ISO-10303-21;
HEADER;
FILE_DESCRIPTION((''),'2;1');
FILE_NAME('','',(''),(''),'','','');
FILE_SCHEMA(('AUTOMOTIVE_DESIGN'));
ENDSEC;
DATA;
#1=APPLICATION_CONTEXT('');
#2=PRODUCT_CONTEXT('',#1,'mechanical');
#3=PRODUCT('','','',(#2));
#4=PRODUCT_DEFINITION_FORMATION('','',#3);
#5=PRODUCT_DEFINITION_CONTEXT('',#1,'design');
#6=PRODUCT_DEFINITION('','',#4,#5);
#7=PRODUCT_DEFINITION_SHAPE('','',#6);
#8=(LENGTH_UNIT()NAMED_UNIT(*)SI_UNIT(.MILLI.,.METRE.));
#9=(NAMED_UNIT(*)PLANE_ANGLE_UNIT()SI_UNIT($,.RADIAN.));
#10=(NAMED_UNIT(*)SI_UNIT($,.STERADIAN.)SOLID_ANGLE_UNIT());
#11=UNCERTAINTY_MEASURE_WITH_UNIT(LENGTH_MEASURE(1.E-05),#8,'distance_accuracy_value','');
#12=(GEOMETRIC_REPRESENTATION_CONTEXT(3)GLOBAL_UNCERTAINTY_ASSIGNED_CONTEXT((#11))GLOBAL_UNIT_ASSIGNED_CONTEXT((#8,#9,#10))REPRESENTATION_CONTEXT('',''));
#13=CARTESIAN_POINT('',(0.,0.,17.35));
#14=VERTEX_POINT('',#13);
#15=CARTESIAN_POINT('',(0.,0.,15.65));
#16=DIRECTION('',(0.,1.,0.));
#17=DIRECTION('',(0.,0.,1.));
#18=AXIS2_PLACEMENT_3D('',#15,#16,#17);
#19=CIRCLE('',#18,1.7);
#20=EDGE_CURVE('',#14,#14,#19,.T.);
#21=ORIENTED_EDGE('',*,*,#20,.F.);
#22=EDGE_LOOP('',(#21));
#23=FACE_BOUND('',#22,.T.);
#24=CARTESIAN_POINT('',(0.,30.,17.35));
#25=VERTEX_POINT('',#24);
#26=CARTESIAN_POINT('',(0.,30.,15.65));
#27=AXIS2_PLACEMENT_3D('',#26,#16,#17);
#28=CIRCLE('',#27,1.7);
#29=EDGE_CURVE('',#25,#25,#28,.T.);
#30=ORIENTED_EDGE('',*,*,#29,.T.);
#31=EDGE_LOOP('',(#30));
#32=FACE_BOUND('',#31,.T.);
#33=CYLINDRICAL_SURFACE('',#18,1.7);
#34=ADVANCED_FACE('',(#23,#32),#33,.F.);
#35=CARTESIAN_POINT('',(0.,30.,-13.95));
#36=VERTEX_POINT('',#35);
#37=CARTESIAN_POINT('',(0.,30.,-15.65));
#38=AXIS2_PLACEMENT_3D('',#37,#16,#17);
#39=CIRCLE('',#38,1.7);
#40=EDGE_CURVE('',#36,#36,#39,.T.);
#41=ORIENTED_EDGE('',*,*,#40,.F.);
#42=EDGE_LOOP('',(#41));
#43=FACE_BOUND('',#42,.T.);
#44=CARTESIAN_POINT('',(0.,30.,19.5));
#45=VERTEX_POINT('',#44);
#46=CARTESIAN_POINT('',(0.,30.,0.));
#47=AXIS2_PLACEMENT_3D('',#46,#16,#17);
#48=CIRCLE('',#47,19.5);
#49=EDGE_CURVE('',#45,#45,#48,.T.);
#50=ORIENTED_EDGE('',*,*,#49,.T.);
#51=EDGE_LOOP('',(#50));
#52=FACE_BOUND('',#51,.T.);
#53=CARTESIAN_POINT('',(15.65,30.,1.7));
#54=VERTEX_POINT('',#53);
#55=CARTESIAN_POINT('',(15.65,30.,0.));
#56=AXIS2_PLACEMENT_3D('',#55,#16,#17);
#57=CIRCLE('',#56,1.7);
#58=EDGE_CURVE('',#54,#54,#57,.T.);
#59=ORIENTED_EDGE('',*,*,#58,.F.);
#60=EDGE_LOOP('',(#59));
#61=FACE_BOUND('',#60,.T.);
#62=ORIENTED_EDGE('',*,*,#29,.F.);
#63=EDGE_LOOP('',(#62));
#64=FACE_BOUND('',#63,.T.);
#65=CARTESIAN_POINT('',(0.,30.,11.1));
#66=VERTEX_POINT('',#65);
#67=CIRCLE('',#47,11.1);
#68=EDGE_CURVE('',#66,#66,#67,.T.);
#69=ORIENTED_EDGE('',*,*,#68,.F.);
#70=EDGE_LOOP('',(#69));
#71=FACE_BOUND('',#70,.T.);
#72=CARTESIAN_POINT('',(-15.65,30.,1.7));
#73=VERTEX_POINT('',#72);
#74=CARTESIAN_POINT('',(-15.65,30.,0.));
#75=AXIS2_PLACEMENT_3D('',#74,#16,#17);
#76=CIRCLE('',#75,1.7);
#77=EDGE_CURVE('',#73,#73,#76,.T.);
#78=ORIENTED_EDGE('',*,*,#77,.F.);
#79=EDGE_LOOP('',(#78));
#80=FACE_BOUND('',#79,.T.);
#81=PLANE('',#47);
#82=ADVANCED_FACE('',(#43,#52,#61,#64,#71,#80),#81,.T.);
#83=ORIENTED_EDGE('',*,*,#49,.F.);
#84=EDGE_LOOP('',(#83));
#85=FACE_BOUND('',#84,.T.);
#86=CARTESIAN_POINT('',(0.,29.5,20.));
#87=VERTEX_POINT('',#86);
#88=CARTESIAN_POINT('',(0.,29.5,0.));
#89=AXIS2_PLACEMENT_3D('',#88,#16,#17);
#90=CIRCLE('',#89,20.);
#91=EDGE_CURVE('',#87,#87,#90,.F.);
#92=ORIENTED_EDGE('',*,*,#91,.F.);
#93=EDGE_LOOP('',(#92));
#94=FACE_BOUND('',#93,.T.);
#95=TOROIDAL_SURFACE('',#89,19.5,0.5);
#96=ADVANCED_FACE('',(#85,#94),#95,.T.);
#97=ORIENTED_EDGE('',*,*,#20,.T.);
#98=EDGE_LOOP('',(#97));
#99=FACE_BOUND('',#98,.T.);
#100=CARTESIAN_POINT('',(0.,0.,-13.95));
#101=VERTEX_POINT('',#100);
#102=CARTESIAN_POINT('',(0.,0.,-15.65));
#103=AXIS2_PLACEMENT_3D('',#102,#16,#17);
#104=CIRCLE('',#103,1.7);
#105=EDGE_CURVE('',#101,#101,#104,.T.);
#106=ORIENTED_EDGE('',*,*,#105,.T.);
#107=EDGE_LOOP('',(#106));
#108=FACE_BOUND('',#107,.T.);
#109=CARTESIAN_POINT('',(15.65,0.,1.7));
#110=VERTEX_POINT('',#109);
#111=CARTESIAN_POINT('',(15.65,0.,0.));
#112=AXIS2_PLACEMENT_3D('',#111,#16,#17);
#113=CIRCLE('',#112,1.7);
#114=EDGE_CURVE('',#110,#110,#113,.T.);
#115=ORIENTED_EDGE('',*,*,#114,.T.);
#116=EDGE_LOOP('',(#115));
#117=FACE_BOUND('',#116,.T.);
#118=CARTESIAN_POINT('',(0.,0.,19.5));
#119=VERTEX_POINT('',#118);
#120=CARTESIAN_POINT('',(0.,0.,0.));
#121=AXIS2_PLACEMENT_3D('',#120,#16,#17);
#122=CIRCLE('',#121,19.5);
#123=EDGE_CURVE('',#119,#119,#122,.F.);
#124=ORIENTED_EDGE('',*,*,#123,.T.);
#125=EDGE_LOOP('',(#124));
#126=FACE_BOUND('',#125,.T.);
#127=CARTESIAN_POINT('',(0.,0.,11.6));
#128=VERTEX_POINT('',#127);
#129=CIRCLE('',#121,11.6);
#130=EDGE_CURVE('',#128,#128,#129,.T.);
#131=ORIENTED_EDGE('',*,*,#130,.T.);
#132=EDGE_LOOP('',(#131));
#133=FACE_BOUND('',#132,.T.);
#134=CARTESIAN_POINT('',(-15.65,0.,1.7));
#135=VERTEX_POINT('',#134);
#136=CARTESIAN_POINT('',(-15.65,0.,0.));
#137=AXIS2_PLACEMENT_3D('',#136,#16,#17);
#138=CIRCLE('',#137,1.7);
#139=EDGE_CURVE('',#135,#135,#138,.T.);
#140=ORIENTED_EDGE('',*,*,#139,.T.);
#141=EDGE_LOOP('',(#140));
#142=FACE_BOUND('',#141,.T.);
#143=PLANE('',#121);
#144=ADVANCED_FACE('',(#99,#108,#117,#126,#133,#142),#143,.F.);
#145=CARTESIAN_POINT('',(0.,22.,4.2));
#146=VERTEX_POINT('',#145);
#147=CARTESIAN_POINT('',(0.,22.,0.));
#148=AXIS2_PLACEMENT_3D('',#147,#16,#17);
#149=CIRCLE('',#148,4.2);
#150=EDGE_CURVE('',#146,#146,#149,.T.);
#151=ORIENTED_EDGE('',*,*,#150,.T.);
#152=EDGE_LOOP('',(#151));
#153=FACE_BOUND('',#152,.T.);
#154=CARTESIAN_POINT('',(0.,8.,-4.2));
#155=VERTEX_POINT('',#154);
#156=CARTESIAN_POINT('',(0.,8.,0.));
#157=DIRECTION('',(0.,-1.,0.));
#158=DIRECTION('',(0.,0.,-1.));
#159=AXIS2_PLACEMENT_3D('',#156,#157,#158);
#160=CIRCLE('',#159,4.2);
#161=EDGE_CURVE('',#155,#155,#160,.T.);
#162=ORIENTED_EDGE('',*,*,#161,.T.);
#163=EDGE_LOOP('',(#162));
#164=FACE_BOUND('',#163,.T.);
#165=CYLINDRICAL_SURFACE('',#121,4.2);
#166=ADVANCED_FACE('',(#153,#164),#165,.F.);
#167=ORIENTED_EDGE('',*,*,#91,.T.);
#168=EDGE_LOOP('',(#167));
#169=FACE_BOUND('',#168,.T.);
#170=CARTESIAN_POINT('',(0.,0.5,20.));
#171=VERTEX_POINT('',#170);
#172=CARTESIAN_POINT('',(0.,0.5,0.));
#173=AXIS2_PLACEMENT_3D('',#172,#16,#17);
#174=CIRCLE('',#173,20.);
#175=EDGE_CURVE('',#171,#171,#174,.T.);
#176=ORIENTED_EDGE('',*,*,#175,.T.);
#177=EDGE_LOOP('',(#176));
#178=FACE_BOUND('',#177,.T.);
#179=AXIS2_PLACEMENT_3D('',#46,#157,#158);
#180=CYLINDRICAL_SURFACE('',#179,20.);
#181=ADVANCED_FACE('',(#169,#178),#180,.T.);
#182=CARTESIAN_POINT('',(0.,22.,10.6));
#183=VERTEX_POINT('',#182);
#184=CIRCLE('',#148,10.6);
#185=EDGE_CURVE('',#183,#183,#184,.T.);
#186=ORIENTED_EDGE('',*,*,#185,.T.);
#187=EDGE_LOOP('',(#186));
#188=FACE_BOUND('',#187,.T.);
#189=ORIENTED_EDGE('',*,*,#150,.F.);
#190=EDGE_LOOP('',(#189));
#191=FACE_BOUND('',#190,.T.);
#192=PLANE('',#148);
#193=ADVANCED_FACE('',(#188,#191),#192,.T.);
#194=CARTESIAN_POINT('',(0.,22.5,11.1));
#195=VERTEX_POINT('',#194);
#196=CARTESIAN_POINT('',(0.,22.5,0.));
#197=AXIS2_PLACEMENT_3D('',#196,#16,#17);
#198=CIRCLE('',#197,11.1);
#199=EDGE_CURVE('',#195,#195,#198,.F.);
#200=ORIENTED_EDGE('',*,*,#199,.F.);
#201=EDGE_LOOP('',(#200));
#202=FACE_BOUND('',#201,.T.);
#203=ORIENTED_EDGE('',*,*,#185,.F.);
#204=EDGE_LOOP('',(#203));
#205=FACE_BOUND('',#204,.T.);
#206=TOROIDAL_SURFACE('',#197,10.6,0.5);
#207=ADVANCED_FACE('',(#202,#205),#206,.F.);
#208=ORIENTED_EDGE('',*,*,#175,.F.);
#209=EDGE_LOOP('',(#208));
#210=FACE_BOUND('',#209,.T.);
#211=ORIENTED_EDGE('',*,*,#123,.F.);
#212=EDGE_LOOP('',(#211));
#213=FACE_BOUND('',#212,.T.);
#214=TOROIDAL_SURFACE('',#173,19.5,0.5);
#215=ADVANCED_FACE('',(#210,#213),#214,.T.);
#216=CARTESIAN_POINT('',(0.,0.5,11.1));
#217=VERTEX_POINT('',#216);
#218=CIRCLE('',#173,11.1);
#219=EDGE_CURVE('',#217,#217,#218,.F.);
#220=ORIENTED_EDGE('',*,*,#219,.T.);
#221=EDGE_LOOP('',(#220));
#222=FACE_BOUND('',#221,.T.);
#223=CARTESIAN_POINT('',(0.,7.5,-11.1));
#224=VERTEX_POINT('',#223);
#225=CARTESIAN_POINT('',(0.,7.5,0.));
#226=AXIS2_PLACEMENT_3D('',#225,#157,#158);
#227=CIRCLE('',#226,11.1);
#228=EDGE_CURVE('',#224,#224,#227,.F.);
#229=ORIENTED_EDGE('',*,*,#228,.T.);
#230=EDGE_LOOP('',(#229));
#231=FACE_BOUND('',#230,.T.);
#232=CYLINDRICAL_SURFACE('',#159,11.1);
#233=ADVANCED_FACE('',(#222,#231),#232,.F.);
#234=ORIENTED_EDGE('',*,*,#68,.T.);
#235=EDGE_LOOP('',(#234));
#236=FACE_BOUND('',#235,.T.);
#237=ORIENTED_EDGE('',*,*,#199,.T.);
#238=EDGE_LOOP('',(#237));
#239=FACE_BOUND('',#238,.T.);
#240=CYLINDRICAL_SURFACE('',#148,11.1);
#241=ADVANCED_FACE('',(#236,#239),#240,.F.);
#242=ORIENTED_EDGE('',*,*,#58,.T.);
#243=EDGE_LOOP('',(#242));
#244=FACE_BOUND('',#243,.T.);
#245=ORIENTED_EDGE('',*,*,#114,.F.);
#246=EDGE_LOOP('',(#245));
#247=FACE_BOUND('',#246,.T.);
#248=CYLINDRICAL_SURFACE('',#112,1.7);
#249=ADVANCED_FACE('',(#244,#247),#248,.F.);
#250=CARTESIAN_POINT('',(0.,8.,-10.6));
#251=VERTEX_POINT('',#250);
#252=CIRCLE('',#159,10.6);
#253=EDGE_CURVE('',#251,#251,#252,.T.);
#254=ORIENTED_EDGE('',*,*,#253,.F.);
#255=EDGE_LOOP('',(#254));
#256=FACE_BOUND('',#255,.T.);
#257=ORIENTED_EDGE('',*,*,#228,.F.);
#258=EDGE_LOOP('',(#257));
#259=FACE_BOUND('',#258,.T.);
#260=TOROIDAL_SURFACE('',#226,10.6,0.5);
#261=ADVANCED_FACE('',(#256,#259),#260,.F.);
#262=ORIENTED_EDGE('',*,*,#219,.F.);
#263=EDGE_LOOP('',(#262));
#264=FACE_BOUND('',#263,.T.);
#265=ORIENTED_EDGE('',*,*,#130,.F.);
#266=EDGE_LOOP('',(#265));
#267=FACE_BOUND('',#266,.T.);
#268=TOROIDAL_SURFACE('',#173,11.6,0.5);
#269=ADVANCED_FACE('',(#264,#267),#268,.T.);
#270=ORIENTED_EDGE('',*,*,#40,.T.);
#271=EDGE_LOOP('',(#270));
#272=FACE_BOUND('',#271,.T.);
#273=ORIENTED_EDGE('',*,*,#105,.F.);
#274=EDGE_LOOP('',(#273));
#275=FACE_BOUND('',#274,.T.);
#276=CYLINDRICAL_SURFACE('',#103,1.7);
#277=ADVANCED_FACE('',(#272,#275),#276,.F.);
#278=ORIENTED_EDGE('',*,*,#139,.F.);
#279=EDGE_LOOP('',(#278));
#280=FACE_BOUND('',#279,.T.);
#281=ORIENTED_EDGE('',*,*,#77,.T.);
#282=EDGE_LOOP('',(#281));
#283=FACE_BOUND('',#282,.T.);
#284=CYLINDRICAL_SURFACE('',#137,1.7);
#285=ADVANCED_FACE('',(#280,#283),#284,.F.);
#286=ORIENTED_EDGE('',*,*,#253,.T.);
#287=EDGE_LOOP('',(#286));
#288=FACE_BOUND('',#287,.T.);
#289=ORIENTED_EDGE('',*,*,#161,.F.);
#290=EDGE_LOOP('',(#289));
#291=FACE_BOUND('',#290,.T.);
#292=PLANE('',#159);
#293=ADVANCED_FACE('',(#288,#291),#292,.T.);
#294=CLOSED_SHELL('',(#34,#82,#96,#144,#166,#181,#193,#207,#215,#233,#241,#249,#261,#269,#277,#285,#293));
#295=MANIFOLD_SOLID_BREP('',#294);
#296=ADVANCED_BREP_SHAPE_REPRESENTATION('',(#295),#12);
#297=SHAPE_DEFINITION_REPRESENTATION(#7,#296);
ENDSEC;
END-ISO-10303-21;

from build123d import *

# Parameters (mm, degrees)
SKETCH2_R           = 20
BOSS_EXTRUDE1_DEPTH = 30
SKETCH3_R           = 11.1
CUT_EXTRUDE1_DEPTH  = 8
CUT_EXTRUDE2_START  = -8
SKETCH4_R           = 11.1
CUT_EXTRUDE2_DEPTH  = 8
SKETCH5_R           = 1.7
CUT_EXTRUDE3_DEPTH  = 42.231056256
SKETCH6_R           = 4.2
CUT_EXTRUDE4_DEPTH  = 36.832945734
FILLET1_R           = 0.5
FILLET2_R           = 0.5


with BuildPart() as part:
    # Sketch2 → Boss-Extrude1 (new body)
    with BuildSketch(Plane(origin=(0, 0, 0), x_dir=(1, 0, 0), z_dir=(0, 1, 0))):
        with Locations(Location((0, 0, 0), (0, 0, 270))):
            Circle(SKETCH2_R)
    extrude(amount=BOSS_EXTRUDE1_DEPTH)

    # Sketch3 → Cut-Extrude1 (cut)
    with BuildSketch(Plane(origin=(0, 30, 0), x_dir=(1, 0, 0), z_dir=(0, 1, 0))):
        with Locations(Location((0, 0, 0), (0, 0, 270))):
            Circle(SKETCH3_R)
    extrude(amount=-CUT_EXTRUDE1_DEPTH, mode=Mode.SUBTRACT)

    # Sketch4 → Cut-Extrude2 (cut)
    with BuildSketch(Plane(origin=(0, 0, 0), x_dir=(-1, 0, 0), z_dir=(0, -1, 0)).offset(CUT_EXTRUDE2_START)):
        with Locations(Location((0, 0, 0), (0, 0, 270))):
            Circle(SKETCH4_R)
    extrude(amount=CUT_EXTRUDE2_DEPTH, mode=Mode.SUBTRACT)

    # Sketch5 → Cut-Extrude3 (cut, through all)
    with BuildSketch(Plane(origin=(0, 30, 0), x_dir=(1, 0, 0), z_dir=(0, 1, 0))):
        with Locations(Location((0, 15.65, 0), (0, 0, 270))):
            Circle(SKETCH5_R)
        with Locations(Location((-15.65, 0, 0), (0, 0, 270))):
            Circle(SKETCH5_R)
        with Locations(Location((0, -15.65, 0), (0, 0, 270))):
            Circle(SKETCH5_R)
        with Locations(Location((15.65, 0, 0), (0, 0, 270))):
            Circle(SKETCH5_R)
    extrude(amount=-CUT_EXTRUDE3_DEPTH, mode=Mode.SUBTRACT)

    # Sketch6 → Cut-Extrude4 (cut, through all)
    with BuildSketch(Plane(origin=(0, 22, 0), x_dir=(1, 0, 0), z_dir=(0, 1, 0))):
        with Locations(Location((0, 0, 0), (0, 0, 270))):
            Circle(SKETCH6_R)
    extrude(amount=-CUT_EXTRUDE4_DEPTH, mode=Mode.SUBTRACT)

    # Fillet1
    fillet1_edges = [part.edges().sort_by_distance(p)[0] for p in [
        (0, 22, -11.1),
    ]]
    fillet(fillet1_edges, radius=FILLET1_R)

    # Fillet2
    fillet2_edges = [part.edges().sort_by_distance(p)[0] for p in [
        (0, 8, -11.1),
        (0, 0, -11.1),
        (0, 0, -20),
        (0, 30, -20),
    ]]
    fillet(fillet2_edges, radius=FILLET2_R)


solid = part.part
